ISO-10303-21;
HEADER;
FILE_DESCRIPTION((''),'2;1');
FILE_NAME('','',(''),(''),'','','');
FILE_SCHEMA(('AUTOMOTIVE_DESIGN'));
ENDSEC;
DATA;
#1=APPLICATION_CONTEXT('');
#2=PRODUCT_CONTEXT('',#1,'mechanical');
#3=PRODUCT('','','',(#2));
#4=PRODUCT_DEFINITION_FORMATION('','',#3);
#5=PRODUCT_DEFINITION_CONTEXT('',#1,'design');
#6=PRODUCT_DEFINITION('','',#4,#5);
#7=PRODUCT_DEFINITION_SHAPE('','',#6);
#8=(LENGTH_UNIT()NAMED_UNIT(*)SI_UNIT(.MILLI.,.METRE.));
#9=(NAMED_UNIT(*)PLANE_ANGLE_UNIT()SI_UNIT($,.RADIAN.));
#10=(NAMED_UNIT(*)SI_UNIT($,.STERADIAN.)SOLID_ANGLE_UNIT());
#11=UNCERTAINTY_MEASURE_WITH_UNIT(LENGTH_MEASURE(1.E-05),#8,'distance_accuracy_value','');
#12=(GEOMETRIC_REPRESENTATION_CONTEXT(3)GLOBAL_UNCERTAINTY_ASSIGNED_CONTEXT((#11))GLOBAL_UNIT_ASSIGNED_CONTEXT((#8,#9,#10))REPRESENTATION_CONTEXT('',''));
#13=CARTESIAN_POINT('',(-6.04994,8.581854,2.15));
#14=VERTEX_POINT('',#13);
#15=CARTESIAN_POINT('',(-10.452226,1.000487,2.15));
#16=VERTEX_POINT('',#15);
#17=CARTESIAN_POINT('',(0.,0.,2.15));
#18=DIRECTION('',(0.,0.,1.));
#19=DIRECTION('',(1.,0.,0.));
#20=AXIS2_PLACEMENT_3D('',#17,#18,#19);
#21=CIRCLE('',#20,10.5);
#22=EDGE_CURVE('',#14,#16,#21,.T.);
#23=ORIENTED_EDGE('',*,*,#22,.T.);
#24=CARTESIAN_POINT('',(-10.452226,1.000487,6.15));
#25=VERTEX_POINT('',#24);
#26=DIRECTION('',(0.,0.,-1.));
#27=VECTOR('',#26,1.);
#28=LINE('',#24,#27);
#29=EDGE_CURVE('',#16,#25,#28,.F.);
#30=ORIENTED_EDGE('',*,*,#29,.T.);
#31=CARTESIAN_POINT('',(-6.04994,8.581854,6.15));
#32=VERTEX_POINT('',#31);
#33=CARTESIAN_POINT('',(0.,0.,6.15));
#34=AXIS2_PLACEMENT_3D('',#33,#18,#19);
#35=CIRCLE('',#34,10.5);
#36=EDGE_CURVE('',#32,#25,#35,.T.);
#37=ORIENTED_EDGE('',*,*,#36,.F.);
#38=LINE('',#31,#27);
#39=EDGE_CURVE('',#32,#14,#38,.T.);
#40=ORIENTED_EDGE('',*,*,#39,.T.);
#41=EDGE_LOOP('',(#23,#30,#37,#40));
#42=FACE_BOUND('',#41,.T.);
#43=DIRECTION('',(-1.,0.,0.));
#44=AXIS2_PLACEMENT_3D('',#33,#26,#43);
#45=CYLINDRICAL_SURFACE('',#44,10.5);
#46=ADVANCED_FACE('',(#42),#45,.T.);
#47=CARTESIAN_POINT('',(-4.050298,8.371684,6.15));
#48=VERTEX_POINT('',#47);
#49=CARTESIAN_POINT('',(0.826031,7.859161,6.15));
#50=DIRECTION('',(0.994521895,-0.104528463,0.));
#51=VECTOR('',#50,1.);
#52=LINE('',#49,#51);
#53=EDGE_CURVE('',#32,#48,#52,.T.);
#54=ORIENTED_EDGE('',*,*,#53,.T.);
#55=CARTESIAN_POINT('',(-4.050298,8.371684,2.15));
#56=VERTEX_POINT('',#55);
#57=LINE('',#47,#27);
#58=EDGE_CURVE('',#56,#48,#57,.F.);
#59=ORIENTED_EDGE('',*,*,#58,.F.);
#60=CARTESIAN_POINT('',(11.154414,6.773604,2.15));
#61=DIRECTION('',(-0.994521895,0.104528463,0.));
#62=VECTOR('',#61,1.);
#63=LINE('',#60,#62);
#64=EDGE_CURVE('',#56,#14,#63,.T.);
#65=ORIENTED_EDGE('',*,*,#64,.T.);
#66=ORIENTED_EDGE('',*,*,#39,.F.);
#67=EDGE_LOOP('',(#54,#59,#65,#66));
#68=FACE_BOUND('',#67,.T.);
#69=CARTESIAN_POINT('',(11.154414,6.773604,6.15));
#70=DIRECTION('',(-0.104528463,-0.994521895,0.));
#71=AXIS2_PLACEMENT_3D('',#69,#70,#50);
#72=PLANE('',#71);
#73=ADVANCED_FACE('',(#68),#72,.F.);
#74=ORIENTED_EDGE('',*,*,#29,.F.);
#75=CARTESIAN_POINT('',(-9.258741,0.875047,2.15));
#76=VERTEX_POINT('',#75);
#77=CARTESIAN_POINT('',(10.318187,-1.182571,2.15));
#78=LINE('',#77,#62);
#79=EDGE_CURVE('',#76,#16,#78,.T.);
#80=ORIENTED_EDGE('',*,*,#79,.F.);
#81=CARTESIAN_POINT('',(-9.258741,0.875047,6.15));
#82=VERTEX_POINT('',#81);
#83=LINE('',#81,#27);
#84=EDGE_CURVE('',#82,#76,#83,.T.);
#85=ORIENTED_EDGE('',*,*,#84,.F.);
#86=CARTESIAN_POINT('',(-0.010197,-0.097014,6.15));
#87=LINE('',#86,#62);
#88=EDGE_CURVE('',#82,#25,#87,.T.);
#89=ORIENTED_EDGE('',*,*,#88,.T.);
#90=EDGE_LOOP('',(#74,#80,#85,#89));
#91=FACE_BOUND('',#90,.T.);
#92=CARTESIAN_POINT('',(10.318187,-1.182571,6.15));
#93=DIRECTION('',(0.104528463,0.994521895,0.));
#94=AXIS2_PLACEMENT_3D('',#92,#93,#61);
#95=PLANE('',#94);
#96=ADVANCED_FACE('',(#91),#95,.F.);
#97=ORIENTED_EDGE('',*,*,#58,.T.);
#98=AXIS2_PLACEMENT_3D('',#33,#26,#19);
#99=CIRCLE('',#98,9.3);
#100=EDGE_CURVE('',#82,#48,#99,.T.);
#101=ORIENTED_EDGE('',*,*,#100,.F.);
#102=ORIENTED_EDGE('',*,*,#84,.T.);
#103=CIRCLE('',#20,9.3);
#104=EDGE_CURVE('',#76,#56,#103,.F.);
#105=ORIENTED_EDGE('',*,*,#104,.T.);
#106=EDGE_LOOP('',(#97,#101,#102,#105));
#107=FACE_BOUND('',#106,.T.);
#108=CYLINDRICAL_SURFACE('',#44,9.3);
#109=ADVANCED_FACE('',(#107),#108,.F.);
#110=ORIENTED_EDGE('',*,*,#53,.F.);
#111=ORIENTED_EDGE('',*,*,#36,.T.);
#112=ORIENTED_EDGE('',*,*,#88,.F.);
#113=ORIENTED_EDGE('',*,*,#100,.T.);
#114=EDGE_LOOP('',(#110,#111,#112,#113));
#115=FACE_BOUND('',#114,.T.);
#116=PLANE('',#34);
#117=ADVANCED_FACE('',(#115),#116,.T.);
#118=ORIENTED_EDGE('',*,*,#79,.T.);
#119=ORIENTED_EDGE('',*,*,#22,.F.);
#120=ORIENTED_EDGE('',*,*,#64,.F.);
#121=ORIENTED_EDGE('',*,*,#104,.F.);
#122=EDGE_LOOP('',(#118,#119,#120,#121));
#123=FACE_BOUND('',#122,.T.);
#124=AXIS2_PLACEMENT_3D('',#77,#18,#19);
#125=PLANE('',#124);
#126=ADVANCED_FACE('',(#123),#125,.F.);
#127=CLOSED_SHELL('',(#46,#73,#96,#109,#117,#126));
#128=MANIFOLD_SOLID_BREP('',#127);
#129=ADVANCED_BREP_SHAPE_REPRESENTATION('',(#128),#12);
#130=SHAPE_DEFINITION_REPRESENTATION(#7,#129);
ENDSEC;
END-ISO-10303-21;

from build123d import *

# Parameters (mm, degrees)
EXTRUDE_1_DEPTH          = 6.15
CUT_EXTRUDE_1_DEPTH      = 17.072414255
CUT_EXTRUDE_1_DEPTH_BACK = 17.072414255


with BuildPart() as part:
    # 草图1 → 凸台-拉伸1 (new body)
    with BuildSketch(Plane.XY):
        with BuildLine():
            Line((-9.3, 0), (-10.5, 0))
            ThreePointArc((-10.5, 0), (-0.549527541, 10.485610115), (10.442479901, 1.097548864))
            Line((10.442479901, 1.097548864), (9.249053627, 0.972114708))
            ThreePointArc((9.249053627, 0.972114708), (-0.486724393, 9.287254673), (-9.3, 0))
        make_face()
    extrude(amount=EXTRUDE_1_DEPTH)

    # 草图4 → 切除-拉伸1 (cut, two sides)
    with BuildSketch(Plane(origin=(0, 0, 6.15), x_dir=(0, 0, 1), z_dir=(-0.9945218953682734, 0.10452846326765432, 0))) as cut_extrude_1_sk:
        Polygon((0, -0.097548864), (-4, -0.097548864), (-4, 7.902451136), (0, 7.902451136), (0, 10.5), (-6.15, 10.5), (-6.15, -1.097548864), (0, -1.097548864), align=None)
    extrude(amount=CUT_EXTRUDE_1_DEPTH, mode=Mode.SUBTRACT)
    extrude(cut_extrude_1_sk.sketch, amount=-CUT_EXTRUDE_1_DEPTH_BACK, mode=Mode.SUBTRACT)


with BuildPart() as body_2:
    # of the pieces the cut leaves, the one that is kept (cut_extrude_1_keep)
    add(part.part.solids().sort_by_distance((-4.050298117, 8.371683532, 6.15))[0])


solid = body_2.part
